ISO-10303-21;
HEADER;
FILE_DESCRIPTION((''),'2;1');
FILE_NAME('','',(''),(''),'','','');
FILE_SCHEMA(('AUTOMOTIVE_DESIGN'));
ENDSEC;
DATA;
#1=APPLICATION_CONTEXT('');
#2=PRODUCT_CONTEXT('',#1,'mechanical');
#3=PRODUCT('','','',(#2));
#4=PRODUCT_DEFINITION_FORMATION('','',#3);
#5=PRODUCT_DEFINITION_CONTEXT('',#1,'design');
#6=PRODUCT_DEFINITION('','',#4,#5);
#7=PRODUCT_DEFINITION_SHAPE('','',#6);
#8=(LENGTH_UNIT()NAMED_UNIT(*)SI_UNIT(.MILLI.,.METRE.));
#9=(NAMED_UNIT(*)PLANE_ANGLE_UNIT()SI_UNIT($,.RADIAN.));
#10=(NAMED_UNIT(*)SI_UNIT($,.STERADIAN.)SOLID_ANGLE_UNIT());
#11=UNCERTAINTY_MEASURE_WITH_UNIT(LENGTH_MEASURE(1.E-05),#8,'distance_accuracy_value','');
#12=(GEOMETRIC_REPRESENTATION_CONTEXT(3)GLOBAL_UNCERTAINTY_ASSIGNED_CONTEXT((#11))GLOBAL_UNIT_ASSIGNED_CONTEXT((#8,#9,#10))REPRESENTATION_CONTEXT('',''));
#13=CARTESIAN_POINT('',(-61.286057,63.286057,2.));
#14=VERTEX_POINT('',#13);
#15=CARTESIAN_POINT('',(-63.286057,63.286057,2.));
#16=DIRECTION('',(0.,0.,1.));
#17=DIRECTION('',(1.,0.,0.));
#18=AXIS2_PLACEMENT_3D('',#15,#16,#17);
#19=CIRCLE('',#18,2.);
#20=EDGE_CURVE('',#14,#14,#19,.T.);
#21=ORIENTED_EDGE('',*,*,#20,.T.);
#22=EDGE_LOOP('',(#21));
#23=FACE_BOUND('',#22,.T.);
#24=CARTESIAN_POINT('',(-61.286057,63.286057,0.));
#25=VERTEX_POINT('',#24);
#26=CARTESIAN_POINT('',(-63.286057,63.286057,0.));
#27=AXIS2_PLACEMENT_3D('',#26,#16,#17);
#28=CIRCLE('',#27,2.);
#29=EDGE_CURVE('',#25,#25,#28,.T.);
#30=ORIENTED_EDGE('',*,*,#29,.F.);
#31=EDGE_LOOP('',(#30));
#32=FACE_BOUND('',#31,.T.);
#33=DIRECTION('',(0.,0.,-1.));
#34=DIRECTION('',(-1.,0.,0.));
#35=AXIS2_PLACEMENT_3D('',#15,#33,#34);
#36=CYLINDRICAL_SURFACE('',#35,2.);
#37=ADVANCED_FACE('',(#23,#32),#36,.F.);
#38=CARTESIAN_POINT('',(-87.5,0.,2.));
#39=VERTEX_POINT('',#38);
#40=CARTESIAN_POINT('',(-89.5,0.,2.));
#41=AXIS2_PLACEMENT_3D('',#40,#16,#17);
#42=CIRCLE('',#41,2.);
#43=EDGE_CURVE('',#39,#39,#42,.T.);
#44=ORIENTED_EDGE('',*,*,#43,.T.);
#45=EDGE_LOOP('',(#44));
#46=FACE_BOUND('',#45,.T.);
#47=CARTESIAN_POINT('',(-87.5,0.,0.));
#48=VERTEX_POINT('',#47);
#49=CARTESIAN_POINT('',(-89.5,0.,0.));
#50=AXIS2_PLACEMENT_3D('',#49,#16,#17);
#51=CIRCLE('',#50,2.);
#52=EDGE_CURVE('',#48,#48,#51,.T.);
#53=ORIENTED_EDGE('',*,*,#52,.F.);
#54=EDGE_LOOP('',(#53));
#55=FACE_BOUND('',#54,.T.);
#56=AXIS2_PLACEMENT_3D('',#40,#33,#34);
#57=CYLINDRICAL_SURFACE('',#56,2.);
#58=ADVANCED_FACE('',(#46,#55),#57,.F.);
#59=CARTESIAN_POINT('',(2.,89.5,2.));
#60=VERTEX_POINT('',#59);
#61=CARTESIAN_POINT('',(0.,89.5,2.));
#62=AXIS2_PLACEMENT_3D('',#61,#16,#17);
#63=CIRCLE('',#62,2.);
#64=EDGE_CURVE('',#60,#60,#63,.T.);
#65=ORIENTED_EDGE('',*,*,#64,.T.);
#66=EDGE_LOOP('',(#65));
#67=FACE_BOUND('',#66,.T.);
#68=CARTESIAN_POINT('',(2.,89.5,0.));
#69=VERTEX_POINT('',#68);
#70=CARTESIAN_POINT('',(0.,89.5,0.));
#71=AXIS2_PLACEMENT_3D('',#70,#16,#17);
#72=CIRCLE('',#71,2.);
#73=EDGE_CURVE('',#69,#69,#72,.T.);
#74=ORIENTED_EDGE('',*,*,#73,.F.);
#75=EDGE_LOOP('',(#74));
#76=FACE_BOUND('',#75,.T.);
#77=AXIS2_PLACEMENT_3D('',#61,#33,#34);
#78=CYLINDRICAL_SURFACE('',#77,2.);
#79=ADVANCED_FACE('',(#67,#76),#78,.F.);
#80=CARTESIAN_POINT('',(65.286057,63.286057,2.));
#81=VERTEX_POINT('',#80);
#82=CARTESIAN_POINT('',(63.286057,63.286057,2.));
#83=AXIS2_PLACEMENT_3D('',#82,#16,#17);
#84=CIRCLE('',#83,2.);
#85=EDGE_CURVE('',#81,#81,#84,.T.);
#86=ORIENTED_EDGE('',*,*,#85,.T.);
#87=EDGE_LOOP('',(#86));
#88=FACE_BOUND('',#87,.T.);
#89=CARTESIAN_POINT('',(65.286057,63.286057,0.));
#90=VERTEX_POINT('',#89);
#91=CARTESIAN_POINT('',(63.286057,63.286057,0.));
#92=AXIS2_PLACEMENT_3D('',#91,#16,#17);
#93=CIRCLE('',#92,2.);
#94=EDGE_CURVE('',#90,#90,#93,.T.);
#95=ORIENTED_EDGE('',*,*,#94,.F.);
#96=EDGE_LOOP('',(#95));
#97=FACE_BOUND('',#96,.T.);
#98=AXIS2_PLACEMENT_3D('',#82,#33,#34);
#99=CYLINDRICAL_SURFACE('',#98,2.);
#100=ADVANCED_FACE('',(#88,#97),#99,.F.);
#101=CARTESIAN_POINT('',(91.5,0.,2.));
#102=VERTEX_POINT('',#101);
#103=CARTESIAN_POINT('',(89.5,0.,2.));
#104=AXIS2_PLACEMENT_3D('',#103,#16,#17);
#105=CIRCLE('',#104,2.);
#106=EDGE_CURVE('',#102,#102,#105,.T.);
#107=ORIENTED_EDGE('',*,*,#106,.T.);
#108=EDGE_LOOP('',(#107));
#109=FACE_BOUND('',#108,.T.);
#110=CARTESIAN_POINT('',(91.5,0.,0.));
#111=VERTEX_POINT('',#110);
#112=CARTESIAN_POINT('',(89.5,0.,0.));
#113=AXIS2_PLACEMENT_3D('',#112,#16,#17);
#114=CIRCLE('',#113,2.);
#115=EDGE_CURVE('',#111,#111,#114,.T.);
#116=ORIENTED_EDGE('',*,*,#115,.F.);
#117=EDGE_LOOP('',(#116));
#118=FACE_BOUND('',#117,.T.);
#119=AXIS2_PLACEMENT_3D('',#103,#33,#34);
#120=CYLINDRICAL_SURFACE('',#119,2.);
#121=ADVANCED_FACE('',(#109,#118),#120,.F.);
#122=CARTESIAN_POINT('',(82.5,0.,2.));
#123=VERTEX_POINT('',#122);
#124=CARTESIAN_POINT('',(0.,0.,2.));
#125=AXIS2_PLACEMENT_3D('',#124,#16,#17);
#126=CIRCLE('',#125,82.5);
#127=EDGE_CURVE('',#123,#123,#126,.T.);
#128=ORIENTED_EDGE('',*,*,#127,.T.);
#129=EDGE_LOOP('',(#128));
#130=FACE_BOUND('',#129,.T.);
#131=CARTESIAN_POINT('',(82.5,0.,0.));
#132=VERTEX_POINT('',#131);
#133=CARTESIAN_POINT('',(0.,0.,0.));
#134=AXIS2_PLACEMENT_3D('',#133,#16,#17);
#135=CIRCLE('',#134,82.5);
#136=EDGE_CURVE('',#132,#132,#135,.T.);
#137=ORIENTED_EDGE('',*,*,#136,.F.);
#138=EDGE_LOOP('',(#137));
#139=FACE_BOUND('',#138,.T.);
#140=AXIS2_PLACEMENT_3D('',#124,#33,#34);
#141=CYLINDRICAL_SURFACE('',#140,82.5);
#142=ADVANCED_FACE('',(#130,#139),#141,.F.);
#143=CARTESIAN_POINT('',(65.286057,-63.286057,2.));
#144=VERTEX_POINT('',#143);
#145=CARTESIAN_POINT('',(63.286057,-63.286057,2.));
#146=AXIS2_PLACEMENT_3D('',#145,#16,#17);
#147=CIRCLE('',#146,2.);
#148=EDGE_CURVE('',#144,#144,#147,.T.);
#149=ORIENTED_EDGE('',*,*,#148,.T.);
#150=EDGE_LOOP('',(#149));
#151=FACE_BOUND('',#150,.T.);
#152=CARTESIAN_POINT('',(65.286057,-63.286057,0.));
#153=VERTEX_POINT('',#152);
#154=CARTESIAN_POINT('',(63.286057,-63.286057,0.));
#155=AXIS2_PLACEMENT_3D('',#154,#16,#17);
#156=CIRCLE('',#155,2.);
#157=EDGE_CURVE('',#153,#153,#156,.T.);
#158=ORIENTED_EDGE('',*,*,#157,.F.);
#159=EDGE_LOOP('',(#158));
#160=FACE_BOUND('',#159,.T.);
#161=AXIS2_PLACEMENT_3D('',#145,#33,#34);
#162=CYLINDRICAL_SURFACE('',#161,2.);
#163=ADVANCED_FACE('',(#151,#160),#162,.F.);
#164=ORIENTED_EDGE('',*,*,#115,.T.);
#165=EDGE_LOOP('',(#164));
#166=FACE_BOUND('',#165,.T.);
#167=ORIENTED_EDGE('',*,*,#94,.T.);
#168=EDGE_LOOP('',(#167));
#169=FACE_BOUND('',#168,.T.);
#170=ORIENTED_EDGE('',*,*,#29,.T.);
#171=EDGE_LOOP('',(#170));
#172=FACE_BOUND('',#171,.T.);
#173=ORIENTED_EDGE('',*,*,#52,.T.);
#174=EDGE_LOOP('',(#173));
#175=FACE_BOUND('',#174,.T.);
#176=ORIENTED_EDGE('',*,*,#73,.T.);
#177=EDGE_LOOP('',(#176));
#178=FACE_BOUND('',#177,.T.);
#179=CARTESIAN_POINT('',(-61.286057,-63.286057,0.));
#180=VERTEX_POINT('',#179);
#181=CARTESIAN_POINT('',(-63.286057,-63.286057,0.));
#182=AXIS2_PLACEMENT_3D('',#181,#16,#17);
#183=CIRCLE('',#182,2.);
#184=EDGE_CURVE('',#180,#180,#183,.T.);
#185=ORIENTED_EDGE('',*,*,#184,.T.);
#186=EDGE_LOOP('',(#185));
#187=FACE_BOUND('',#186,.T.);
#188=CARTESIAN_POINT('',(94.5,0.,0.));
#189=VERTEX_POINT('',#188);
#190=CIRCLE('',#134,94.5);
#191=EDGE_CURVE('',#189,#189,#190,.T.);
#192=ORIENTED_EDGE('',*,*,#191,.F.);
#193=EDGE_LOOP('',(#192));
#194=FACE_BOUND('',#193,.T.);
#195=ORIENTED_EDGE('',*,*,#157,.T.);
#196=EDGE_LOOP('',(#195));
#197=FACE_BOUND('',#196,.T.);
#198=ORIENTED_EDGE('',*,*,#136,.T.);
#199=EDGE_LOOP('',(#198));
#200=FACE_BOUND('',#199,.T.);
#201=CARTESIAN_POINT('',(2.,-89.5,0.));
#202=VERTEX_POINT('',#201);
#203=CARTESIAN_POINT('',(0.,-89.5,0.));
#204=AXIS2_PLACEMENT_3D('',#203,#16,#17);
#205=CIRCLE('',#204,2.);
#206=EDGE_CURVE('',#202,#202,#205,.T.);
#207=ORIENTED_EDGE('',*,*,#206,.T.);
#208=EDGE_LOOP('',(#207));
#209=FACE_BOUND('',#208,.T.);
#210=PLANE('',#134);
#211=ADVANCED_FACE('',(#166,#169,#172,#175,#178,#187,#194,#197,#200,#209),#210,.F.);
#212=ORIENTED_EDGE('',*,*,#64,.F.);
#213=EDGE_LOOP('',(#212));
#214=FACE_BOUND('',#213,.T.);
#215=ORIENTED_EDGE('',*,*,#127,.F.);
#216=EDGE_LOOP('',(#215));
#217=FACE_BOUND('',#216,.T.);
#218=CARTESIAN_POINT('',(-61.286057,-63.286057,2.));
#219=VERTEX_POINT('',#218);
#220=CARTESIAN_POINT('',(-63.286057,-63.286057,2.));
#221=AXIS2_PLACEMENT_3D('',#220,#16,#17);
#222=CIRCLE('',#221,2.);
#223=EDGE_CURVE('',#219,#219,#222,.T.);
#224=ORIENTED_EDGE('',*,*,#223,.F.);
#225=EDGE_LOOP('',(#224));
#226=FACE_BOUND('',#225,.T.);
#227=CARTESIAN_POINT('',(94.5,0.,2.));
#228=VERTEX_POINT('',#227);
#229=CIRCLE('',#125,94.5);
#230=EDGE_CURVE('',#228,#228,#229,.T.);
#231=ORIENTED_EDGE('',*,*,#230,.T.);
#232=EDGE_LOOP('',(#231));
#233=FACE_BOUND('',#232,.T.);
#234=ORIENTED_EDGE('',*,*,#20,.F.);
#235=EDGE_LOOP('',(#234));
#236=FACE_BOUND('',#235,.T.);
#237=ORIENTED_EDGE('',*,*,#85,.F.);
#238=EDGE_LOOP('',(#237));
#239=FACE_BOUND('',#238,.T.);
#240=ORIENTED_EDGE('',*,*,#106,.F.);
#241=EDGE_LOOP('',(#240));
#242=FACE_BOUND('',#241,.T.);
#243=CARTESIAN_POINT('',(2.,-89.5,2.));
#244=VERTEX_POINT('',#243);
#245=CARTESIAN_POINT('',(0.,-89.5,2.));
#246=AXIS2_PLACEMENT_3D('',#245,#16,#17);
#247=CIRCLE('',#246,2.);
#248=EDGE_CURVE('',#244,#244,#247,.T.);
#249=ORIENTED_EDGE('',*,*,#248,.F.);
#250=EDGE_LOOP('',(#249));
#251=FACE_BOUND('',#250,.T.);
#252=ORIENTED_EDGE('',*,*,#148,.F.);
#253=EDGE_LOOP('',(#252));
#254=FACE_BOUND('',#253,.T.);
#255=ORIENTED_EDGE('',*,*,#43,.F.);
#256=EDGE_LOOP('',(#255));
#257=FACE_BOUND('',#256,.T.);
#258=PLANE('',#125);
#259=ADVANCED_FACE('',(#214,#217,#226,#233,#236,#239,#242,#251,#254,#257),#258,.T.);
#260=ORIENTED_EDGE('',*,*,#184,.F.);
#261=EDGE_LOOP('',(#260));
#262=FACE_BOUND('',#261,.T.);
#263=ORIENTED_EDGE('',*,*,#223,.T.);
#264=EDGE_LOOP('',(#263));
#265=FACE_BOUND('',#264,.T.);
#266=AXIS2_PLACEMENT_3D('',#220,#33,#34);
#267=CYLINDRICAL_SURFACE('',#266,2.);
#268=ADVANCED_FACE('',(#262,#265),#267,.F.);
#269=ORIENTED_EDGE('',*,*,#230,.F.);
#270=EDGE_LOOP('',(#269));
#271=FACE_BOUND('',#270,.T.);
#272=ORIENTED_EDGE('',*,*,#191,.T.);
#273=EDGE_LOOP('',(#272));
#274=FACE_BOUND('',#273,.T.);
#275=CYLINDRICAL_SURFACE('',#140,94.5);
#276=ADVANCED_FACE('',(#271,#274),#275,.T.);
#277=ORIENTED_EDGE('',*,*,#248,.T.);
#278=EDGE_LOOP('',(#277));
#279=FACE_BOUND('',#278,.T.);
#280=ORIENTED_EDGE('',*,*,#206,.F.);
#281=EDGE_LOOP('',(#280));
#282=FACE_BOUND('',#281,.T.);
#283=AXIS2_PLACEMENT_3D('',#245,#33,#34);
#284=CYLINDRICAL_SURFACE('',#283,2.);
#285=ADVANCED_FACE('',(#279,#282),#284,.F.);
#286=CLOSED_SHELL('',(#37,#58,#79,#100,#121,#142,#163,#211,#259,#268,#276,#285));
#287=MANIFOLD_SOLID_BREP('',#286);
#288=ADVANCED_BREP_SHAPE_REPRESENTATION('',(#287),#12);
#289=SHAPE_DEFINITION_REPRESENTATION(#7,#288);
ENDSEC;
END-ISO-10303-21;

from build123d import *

# Parameters (mm, degrees)
SKETCH1_R           = 94.5
SKETCH1_R_2         = 82.5
SKETCH1_R_3         = 2
BOSS_EXTRUDE1_DEPTH = 2


with BuildPart() as part:
    # Sketch1 → Boss-Extrude1 (new body)
    with BuildSketch(Plane.XY):
        Circle(SKETCH1_R)
        Circle(SKETCH1_R_2, mode=Mode.SUBTRACT)
        with Locations((0, 89.5)):
            Circle(SKETCH1_R_3, mode=Mode.SUBTRACT)
        with Locations((-63.286056916, 63.286056916)):
            Circle(SKETCH1_R_3, mode=Mode.SUBTRACT)
        with Locations((63.286056916, 63.286056916)):
            Circle(SKETCH1_R_3, mode=Mode.SUBTRACT)
        with Locations((89.5, 0)):
            Circle(SKETCH1_R_3, mode=Mode.SUBTRACT)
        with Locations((63.286056916, -63.286056916)):
            Circle(SKETCH1_R_3, mode=Mode.SUBTRACT)
        with Locations((0, -89.5)):
            Circle(SKETCH1_R_3, mode=Mode.SUBTRACT)
        with Locations((-63.286056916, -63.286056916)):
            Circle(SKETCH1_R_3, mode=Mode.SUBTRACT)
        with Locations((-89.5, 0)):
            Circle(SKETCH1_R_3, mode=Mode.SUBTRACT)
    extrude(amount=BOSS_EXTRUDE1_DEPTH)


solid = part.part
